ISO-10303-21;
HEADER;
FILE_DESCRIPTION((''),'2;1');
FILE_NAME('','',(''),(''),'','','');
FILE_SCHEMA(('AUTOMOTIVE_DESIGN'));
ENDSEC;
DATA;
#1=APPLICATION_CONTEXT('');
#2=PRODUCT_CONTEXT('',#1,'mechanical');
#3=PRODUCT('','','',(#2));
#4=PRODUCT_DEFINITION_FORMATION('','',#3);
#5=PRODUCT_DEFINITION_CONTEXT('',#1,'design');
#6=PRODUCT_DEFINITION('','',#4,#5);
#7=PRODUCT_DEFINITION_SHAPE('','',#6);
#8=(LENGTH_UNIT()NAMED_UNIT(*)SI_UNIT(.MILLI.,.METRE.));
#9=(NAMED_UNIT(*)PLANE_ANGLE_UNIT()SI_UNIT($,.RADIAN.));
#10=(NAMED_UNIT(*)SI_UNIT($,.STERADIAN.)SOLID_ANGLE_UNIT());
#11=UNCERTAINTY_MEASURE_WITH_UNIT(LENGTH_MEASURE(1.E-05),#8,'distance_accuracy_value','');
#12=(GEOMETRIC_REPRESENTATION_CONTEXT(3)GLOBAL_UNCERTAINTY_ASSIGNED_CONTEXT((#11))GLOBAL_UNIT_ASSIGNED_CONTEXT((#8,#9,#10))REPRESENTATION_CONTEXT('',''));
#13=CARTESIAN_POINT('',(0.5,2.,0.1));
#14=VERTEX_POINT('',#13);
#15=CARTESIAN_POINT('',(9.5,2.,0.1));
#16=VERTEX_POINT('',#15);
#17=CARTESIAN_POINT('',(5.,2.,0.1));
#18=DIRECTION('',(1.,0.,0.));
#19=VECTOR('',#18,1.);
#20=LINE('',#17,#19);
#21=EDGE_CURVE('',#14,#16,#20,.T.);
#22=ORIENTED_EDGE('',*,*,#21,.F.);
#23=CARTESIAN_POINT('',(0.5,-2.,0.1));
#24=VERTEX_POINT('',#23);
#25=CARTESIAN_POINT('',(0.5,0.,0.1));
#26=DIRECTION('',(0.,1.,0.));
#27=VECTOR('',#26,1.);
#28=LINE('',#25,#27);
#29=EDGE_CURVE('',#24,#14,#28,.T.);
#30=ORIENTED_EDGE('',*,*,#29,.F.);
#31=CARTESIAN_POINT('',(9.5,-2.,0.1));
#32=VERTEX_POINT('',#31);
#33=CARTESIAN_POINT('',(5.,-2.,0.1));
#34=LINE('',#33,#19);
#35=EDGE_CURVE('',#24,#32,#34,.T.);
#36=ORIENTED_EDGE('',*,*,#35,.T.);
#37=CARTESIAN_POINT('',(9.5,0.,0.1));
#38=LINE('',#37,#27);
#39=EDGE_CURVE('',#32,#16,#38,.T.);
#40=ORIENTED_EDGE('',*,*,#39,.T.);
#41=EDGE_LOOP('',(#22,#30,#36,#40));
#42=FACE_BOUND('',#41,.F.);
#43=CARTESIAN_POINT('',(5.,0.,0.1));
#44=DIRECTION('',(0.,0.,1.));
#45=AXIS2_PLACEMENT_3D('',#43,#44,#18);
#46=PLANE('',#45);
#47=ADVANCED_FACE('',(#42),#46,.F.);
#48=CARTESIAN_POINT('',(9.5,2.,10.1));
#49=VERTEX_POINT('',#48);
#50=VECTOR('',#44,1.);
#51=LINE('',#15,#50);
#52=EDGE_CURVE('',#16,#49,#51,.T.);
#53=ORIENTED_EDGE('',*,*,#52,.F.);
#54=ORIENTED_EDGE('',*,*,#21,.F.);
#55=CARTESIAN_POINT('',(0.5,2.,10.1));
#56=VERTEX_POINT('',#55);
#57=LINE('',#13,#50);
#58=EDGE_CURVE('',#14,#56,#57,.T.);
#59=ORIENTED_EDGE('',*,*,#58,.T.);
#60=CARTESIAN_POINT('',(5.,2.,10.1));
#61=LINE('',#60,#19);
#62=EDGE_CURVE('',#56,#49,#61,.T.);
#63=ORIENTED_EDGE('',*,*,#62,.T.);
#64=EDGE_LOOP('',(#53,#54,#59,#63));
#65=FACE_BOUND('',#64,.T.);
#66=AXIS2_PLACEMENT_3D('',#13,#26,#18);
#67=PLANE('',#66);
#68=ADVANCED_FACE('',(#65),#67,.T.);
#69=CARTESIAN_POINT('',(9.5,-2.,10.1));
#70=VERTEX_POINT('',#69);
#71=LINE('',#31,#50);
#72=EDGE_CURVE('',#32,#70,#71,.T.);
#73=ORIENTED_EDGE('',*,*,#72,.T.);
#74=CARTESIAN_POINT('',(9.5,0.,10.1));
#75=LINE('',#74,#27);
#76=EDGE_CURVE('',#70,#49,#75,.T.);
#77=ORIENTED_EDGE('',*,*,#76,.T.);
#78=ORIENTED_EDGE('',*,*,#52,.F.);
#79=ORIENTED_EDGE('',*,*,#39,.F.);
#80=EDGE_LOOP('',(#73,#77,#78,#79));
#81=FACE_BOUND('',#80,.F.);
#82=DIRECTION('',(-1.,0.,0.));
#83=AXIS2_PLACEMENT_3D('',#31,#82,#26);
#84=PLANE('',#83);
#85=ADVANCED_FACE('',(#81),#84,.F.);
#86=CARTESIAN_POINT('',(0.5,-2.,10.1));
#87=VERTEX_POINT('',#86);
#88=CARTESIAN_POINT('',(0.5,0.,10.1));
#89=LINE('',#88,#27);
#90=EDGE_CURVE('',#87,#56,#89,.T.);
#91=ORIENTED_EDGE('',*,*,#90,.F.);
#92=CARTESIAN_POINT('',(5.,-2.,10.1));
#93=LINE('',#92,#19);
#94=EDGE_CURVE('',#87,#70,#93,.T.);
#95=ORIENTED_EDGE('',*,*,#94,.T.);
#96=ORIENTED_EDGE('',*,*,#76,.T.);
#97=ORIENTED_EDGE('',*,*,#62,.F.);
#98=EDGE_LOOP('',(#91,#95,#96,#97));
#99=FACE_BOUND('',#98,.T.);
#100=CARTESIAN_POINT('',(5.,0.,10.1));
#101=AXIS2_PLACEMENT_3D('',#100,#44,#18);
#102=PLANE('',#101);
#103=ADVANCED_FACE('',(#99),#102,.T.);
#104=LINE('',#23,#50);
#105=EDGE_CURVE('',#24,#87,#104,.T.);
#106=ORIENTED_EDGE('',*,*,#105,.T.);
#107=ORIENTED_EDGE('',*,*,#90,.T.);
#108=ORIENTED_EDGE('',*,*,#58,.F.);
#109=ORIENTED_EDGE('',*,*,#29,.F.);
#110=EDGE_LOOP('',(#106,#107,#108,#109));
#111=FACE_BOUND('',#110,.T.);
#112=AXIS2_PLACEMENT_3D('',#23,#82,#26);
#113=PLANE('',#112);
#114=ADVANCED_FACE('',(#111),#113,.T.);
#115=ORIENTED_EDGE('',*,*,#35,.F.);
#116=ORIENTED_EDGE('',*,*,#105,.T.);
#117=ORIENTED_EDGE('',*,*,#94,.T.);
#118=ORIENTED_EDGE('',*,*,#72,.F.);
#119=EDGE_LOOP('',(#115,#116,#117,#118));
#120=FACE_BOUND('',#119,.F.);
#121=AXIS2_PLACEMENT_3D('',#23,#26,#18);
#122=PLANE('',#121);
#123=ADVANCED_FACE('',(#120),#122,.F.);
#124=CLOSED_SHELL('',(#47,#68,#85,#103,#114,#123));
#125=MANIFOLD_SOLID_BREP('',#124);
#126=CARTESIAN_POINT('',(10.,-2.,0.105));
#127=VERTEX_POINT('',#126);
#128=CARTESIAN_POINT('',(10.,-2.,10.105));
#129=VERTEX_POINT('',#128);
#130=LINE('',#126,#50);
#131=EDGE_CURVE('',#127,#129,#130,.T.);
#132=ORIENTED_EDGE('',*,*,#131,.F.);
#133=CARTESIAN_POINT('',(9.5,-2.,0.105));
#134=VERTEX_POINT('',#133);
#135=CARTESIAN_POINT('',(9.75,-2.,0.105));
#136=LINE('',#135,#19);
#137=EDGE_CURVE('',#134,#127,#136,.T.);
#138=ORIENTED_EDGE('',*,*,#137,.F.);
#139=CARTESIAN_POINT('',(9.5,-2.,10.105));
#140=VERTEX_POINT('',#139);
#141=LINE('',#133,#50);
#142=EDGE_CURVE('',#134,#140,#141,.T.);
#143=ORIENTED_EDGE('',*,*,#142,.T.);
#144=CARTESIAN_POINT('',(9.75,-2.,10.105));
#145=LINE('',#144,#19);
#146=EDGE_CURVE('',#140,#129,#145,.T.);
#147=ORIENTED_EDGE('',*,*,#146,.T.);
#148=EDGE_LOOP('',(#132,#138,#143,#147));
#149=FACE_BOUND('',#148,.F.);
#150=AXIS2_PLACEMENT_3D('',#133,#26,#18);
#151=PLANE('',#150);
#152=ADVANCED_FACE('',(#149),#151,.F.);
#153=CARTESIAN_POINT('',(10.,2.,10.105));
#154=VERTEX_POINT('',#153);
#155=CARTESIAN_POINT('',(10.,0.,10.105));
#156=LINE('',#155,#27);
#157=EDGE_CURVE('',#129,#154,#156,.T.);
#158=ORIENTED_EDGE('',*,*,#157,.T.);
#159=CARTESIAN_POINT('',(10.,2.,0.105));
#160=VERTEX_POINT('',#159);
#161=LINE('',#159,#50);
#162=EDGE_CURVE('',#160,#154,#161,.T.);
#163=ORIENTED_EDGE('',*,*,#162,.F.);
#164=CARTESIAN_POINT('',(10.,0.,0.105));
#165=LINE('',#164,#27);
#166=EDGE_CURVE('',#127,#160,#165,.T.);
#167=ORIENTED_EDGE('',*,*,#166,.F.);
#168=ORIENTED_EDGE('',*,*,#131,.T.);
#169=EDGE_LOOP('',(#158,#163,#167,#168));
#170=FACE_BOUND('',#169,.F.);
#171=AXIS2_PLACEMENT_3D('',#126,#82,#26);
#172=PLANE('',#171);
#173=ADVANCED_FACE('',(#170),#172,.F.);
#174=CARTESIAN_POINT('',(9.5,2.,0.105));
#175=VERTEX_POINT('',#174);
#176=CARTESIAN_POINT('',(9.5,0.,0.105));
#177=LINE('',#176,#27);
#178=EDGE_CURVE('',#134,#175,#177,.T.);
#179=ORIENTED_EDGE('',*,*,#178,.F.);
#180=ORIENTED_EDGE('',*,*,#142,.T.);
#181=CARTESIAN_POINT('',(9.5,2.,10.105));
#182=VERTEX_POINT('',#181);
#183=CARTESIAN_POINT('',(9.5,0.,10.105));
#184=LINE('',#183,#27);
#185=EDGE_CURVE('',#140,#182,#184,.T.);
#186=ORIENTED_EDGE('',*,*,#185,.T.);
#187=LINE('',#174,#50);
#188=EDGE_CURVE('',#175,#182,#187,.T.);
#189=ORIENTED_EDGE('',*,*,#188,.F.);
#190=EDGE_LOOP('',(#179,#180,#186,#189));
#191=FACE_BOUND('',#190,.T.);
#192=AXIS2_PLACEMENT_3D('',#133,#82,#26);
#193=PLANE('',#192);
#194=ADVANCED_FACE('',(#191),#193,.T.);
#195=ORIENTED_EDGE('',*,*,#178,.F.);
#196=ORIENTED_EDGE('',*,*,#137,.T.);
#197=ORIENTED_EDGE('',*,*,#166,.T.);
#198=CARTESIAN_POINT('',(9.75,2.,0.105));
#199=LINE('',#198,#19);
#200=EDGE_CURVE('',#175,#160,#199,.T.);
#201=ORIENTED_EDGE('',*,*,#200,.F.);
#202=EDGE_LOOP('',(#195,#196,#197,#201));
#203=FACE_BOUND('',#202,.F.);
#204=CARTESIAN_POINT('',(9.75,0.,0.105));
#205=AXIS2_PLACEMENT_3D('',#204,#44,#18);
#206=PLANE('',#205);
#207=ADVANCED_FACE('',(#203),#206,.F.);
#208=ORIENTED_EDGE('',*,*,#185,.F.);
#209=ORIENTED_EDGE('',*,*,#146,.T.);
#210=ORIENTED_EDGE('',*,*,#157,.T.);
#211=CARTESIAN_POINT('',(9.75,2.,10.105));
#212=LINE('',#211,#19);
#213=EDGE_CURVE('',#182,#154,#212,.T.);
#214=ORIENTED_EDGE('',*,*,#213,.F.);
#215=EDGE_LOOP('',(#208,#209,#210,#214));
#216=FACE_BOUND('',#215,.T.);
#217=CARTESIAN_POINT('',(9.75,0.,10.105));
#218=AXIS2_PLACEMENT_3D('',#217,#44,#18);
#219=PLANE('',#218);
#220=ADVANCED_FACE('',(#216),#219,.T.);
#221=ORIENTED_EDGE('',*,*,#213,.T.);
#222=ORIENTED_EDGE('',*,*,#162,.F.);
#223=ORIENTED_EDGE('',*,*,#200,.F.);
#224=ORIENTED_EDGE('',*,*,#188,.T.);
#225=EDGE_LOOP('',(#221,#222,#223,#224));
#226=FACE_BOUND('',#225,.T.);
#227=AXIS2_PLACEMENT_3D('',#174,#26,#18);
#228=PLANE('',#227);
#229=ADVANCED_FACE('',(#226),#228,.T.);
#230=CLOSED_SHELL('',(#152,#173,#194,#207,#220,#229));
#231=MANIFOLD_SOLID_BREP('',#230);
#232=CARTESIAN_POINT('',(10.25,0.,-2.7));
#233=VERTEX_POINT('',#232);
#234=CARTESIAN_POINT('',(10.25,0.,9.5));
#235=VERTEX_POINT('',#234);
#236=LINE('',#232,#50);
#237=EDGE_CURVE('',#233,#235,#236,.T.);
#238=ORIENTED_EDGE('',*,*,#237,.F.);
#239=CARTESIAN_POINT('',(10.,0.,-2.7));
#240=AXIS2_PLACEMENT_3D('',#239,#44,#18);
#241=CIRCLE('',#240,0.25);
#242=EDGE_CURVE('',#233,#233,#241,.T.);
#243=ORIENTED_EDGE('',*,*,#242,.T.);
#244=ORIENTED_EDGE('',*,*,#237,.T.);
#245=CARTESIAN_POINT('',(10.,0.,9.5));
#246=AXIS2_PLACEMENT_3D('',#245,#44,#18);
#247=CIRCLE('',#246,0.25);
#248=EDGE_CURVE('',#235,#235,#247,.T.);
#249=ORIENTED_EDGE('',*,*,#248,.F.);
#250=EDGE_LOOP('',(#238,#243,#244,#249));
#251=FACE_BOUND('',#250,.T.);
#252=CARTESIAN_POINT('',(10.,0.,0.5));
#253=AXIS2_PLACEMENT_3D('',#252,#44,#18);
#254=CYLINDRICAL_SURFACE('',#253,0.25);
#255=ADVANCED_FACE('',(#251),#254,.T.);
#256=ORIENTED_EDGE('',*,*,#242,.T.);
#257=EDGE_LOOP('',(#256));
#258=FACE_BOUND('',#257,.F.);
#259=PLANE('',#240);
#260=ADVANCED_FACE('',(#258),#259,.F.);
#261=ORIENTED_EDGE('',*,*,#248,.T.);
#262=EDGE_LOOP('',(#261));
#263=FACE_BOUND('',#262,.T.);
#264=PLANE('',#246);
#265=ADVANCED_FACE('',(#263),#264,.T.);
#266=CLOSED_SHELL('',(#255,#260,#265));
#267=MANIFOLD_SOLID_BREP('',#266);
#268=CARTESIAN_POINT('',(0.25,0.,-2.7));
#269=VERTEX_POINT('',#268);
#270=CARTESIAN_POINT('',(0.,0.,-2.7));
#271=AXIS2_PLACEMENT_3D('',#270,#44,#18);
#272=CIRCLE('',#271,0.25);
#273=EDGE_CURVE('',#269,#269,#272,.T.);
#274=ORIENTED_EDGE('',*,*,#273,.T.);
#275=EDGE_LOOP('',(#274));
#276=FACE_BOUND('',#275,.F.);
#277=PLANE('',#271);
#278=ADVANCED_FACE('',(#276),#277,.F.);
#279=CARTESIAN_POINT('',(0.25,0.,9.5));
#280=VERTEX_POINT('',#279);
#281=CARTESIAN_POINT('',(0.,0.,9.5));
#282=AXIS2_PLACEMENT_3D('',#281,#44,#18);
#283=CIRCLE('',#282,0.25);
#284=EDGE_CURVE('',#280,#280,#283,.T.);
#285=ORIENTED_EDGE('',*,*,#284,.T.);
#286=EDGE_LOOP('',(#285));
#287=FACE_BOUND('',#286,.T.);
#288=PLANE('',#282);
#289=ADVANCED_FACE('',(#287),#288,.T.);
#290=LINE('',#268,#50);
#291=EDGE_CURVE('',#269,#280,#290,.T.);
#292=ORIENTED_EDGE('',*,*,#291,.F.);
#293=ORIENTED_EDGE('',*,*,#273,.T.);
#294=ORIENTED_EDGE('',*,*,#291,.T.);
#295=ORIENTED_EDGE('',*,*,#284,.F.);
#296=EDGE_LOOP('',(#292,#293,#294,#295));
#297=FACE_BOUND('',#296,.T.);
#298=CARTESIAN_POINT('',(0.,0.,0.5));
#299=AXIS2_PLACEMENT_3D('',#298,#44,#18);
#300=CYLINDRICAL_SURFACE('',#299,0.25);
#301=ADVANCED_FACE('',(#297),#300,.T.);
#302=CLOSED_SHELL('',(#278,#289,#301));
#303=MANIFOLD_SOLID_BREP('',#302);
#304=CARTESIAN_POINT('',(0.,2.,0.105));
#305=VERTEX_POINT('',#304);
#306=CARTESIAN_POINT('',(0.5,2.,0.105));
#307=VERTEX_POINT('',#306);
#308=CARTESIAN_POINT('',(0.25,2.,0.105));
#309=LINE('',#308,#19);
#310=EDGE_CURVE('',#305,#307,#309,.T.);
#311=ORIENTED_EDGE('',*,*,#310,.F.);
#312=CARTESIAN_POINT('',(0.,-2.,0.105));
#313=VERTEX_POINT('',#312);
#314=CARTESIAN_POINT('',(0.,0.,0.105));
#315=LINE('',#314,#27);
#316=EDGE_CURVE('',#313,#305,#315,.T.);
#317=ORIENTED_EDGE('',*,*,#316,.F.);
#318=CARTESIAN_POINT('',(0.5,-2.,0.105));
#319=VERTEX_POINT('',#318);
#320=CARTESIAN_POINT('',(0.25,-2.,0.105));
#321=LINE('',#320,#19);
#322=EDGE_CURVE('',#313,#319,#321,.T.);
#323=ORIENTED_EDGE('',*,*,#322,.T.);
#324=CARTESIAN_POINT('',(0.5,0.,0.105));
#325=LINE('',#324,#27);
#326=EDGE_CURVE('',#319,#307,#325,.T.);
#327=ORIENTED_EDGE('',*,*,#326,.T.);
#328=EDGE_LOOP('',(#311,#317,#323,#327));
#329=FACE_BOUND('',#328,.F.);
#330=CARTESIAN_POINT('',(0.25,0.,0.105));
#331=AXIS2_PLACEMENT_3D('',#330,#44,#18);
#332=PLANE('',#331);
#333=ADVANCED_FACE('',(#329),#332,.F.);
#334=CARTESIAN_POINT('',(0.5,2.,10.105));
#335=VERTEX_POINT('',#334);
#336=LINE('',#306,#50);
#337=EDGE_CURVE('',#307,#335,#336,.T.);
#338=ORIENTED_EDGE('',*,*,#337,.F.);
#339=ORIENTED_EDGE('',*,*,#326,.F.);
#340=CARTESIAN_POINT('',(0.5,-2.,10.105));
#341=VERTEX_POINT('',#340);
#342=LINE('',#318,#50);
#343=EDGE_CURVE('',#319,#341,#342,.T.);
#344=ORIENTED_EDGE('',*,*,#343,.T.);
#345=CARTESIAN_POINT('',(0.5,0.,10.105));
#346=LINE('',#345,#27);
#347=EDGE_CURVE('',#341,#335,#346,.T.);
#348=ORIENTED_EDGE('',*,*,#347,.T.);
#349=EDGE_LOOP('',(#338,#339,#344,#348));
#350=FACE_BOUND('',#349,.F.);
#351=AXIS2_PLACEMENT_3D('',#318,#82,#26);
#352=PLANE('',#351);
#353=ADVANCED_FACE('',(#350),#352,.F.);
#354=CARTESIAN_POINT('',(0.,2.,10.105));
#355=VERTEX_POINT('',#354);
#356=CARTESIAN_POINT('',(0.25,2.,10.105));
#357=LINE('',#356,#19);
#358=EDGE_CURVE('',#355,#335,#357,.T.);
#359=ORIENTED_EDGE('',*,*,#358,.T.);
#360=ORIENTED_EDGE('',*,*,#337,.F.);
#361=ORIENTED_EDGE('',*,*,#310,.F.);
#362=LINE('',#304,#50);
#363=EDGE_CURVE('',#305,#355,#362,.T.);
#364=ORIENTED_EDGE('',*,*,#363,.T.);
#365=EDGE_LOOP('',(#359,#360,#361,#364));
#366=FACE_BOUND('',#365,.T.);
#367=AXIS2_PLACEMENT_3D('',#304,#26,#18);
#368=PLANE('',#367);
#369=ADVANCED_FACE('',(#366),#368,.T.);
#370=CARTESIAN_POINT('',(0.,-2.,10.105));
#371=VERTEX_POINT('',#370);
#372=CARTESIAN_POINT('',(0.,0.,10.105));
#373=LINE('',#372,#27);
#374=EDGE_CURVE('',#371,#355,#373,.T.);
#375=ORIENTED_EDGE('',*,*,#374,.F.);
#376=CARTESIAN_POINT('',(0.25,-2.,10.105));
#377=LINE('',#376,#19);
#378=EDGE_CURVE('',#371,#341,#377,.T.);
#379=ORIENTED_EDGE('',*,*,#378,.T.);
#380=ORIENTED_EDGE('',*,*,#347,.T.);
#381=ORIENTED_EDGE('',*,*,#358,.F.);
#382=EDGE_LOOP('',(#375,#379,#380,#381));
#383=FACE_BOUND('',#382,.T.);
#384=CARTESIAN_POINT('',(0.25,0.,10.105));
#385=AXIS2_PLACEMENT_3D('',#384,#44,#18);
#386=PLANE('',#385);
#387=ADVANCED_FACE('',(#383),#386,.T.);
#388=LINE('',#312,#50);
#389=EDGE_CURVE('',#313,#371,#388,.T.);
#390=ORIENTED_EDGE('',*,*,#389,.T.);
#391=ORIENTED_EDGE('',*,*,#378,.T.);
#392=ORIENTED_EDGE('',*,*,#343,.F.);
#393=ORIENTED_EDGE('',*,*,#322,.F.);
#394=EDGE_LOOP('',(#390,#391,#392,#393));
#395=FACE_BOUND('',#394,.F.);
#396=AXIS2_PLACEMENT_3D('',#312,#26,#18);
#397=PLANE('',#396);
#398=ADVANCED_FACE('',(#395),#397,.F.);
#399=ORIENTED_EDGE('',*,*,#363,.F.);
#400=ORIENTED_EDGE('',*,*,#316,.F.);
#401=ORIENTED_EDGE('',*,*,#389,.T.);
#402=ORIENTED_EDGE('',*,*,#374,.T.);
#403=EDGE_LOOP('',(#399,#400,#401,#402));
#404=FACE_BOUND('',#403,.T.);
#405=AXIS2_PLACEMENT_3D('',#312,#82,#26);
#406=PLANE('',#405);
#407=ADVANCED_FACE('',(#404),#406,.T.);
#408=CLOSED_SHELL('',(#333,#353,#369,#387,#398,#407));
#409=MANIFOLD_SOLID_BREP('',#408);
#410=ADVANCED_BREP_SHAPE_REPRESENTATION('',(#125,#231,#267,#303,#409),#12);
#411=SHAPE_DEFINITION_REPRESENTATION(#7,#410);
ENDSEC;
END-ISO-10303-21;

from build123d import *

# Parameters (mm, degrees)
SKETCH_W          = 9
SKETCH_H          = 4
PAD_DEPTH         = 10
SKETCH001_R       = 0.25
PAD001_DEPTH      = 9
PAD001_DEPTH_BACK = 3.2
SKETCH002_W       = 0.5
SKETCH002_H       = 4
PAD002_DEPTH      = 10


with BuildPart() as pad:
    # Sketch → Pad (new body)
    with BuildSketch(Plane.XY.offset(0.1)):
        with Locations((5, 0)):
            Rectangle(SKETCH_W, SKETCH_H)
    extrude(amount=PAD_DEPTH)


with BuildPart() as pad001:
    # Sketch001 → Pad001 (new body, two sides)
    with BuildSketch(Plane.XY.offset(0.5)) as pad001_sk:
        Circle(SKETCH001_R)
        with Locations((10, 0)):
            Circle(SKETCH001_R)
    extrude(amount=PAD001_DEPTH)
    extrude(pad001_sk.sketch, amount=-PAD001_DEPTH_BACK)


with BuildPart() as pad002:
    # Sketch002 → Pad002 (new body)
    with BuildSketch(Plane.XY.offset(0.105)):
        with Locations((0.25, 0)):
            Rectangle(SKETCH002_W, SKETCH002_H)
        with Locations((9.75, 0)):
            Rectangle(SKETCH002_W, SKETCH002_H)
    extrude(amount=PAD002_DEPTH)


solid = Compound([pad.part, pad001.part, pad002.part])
